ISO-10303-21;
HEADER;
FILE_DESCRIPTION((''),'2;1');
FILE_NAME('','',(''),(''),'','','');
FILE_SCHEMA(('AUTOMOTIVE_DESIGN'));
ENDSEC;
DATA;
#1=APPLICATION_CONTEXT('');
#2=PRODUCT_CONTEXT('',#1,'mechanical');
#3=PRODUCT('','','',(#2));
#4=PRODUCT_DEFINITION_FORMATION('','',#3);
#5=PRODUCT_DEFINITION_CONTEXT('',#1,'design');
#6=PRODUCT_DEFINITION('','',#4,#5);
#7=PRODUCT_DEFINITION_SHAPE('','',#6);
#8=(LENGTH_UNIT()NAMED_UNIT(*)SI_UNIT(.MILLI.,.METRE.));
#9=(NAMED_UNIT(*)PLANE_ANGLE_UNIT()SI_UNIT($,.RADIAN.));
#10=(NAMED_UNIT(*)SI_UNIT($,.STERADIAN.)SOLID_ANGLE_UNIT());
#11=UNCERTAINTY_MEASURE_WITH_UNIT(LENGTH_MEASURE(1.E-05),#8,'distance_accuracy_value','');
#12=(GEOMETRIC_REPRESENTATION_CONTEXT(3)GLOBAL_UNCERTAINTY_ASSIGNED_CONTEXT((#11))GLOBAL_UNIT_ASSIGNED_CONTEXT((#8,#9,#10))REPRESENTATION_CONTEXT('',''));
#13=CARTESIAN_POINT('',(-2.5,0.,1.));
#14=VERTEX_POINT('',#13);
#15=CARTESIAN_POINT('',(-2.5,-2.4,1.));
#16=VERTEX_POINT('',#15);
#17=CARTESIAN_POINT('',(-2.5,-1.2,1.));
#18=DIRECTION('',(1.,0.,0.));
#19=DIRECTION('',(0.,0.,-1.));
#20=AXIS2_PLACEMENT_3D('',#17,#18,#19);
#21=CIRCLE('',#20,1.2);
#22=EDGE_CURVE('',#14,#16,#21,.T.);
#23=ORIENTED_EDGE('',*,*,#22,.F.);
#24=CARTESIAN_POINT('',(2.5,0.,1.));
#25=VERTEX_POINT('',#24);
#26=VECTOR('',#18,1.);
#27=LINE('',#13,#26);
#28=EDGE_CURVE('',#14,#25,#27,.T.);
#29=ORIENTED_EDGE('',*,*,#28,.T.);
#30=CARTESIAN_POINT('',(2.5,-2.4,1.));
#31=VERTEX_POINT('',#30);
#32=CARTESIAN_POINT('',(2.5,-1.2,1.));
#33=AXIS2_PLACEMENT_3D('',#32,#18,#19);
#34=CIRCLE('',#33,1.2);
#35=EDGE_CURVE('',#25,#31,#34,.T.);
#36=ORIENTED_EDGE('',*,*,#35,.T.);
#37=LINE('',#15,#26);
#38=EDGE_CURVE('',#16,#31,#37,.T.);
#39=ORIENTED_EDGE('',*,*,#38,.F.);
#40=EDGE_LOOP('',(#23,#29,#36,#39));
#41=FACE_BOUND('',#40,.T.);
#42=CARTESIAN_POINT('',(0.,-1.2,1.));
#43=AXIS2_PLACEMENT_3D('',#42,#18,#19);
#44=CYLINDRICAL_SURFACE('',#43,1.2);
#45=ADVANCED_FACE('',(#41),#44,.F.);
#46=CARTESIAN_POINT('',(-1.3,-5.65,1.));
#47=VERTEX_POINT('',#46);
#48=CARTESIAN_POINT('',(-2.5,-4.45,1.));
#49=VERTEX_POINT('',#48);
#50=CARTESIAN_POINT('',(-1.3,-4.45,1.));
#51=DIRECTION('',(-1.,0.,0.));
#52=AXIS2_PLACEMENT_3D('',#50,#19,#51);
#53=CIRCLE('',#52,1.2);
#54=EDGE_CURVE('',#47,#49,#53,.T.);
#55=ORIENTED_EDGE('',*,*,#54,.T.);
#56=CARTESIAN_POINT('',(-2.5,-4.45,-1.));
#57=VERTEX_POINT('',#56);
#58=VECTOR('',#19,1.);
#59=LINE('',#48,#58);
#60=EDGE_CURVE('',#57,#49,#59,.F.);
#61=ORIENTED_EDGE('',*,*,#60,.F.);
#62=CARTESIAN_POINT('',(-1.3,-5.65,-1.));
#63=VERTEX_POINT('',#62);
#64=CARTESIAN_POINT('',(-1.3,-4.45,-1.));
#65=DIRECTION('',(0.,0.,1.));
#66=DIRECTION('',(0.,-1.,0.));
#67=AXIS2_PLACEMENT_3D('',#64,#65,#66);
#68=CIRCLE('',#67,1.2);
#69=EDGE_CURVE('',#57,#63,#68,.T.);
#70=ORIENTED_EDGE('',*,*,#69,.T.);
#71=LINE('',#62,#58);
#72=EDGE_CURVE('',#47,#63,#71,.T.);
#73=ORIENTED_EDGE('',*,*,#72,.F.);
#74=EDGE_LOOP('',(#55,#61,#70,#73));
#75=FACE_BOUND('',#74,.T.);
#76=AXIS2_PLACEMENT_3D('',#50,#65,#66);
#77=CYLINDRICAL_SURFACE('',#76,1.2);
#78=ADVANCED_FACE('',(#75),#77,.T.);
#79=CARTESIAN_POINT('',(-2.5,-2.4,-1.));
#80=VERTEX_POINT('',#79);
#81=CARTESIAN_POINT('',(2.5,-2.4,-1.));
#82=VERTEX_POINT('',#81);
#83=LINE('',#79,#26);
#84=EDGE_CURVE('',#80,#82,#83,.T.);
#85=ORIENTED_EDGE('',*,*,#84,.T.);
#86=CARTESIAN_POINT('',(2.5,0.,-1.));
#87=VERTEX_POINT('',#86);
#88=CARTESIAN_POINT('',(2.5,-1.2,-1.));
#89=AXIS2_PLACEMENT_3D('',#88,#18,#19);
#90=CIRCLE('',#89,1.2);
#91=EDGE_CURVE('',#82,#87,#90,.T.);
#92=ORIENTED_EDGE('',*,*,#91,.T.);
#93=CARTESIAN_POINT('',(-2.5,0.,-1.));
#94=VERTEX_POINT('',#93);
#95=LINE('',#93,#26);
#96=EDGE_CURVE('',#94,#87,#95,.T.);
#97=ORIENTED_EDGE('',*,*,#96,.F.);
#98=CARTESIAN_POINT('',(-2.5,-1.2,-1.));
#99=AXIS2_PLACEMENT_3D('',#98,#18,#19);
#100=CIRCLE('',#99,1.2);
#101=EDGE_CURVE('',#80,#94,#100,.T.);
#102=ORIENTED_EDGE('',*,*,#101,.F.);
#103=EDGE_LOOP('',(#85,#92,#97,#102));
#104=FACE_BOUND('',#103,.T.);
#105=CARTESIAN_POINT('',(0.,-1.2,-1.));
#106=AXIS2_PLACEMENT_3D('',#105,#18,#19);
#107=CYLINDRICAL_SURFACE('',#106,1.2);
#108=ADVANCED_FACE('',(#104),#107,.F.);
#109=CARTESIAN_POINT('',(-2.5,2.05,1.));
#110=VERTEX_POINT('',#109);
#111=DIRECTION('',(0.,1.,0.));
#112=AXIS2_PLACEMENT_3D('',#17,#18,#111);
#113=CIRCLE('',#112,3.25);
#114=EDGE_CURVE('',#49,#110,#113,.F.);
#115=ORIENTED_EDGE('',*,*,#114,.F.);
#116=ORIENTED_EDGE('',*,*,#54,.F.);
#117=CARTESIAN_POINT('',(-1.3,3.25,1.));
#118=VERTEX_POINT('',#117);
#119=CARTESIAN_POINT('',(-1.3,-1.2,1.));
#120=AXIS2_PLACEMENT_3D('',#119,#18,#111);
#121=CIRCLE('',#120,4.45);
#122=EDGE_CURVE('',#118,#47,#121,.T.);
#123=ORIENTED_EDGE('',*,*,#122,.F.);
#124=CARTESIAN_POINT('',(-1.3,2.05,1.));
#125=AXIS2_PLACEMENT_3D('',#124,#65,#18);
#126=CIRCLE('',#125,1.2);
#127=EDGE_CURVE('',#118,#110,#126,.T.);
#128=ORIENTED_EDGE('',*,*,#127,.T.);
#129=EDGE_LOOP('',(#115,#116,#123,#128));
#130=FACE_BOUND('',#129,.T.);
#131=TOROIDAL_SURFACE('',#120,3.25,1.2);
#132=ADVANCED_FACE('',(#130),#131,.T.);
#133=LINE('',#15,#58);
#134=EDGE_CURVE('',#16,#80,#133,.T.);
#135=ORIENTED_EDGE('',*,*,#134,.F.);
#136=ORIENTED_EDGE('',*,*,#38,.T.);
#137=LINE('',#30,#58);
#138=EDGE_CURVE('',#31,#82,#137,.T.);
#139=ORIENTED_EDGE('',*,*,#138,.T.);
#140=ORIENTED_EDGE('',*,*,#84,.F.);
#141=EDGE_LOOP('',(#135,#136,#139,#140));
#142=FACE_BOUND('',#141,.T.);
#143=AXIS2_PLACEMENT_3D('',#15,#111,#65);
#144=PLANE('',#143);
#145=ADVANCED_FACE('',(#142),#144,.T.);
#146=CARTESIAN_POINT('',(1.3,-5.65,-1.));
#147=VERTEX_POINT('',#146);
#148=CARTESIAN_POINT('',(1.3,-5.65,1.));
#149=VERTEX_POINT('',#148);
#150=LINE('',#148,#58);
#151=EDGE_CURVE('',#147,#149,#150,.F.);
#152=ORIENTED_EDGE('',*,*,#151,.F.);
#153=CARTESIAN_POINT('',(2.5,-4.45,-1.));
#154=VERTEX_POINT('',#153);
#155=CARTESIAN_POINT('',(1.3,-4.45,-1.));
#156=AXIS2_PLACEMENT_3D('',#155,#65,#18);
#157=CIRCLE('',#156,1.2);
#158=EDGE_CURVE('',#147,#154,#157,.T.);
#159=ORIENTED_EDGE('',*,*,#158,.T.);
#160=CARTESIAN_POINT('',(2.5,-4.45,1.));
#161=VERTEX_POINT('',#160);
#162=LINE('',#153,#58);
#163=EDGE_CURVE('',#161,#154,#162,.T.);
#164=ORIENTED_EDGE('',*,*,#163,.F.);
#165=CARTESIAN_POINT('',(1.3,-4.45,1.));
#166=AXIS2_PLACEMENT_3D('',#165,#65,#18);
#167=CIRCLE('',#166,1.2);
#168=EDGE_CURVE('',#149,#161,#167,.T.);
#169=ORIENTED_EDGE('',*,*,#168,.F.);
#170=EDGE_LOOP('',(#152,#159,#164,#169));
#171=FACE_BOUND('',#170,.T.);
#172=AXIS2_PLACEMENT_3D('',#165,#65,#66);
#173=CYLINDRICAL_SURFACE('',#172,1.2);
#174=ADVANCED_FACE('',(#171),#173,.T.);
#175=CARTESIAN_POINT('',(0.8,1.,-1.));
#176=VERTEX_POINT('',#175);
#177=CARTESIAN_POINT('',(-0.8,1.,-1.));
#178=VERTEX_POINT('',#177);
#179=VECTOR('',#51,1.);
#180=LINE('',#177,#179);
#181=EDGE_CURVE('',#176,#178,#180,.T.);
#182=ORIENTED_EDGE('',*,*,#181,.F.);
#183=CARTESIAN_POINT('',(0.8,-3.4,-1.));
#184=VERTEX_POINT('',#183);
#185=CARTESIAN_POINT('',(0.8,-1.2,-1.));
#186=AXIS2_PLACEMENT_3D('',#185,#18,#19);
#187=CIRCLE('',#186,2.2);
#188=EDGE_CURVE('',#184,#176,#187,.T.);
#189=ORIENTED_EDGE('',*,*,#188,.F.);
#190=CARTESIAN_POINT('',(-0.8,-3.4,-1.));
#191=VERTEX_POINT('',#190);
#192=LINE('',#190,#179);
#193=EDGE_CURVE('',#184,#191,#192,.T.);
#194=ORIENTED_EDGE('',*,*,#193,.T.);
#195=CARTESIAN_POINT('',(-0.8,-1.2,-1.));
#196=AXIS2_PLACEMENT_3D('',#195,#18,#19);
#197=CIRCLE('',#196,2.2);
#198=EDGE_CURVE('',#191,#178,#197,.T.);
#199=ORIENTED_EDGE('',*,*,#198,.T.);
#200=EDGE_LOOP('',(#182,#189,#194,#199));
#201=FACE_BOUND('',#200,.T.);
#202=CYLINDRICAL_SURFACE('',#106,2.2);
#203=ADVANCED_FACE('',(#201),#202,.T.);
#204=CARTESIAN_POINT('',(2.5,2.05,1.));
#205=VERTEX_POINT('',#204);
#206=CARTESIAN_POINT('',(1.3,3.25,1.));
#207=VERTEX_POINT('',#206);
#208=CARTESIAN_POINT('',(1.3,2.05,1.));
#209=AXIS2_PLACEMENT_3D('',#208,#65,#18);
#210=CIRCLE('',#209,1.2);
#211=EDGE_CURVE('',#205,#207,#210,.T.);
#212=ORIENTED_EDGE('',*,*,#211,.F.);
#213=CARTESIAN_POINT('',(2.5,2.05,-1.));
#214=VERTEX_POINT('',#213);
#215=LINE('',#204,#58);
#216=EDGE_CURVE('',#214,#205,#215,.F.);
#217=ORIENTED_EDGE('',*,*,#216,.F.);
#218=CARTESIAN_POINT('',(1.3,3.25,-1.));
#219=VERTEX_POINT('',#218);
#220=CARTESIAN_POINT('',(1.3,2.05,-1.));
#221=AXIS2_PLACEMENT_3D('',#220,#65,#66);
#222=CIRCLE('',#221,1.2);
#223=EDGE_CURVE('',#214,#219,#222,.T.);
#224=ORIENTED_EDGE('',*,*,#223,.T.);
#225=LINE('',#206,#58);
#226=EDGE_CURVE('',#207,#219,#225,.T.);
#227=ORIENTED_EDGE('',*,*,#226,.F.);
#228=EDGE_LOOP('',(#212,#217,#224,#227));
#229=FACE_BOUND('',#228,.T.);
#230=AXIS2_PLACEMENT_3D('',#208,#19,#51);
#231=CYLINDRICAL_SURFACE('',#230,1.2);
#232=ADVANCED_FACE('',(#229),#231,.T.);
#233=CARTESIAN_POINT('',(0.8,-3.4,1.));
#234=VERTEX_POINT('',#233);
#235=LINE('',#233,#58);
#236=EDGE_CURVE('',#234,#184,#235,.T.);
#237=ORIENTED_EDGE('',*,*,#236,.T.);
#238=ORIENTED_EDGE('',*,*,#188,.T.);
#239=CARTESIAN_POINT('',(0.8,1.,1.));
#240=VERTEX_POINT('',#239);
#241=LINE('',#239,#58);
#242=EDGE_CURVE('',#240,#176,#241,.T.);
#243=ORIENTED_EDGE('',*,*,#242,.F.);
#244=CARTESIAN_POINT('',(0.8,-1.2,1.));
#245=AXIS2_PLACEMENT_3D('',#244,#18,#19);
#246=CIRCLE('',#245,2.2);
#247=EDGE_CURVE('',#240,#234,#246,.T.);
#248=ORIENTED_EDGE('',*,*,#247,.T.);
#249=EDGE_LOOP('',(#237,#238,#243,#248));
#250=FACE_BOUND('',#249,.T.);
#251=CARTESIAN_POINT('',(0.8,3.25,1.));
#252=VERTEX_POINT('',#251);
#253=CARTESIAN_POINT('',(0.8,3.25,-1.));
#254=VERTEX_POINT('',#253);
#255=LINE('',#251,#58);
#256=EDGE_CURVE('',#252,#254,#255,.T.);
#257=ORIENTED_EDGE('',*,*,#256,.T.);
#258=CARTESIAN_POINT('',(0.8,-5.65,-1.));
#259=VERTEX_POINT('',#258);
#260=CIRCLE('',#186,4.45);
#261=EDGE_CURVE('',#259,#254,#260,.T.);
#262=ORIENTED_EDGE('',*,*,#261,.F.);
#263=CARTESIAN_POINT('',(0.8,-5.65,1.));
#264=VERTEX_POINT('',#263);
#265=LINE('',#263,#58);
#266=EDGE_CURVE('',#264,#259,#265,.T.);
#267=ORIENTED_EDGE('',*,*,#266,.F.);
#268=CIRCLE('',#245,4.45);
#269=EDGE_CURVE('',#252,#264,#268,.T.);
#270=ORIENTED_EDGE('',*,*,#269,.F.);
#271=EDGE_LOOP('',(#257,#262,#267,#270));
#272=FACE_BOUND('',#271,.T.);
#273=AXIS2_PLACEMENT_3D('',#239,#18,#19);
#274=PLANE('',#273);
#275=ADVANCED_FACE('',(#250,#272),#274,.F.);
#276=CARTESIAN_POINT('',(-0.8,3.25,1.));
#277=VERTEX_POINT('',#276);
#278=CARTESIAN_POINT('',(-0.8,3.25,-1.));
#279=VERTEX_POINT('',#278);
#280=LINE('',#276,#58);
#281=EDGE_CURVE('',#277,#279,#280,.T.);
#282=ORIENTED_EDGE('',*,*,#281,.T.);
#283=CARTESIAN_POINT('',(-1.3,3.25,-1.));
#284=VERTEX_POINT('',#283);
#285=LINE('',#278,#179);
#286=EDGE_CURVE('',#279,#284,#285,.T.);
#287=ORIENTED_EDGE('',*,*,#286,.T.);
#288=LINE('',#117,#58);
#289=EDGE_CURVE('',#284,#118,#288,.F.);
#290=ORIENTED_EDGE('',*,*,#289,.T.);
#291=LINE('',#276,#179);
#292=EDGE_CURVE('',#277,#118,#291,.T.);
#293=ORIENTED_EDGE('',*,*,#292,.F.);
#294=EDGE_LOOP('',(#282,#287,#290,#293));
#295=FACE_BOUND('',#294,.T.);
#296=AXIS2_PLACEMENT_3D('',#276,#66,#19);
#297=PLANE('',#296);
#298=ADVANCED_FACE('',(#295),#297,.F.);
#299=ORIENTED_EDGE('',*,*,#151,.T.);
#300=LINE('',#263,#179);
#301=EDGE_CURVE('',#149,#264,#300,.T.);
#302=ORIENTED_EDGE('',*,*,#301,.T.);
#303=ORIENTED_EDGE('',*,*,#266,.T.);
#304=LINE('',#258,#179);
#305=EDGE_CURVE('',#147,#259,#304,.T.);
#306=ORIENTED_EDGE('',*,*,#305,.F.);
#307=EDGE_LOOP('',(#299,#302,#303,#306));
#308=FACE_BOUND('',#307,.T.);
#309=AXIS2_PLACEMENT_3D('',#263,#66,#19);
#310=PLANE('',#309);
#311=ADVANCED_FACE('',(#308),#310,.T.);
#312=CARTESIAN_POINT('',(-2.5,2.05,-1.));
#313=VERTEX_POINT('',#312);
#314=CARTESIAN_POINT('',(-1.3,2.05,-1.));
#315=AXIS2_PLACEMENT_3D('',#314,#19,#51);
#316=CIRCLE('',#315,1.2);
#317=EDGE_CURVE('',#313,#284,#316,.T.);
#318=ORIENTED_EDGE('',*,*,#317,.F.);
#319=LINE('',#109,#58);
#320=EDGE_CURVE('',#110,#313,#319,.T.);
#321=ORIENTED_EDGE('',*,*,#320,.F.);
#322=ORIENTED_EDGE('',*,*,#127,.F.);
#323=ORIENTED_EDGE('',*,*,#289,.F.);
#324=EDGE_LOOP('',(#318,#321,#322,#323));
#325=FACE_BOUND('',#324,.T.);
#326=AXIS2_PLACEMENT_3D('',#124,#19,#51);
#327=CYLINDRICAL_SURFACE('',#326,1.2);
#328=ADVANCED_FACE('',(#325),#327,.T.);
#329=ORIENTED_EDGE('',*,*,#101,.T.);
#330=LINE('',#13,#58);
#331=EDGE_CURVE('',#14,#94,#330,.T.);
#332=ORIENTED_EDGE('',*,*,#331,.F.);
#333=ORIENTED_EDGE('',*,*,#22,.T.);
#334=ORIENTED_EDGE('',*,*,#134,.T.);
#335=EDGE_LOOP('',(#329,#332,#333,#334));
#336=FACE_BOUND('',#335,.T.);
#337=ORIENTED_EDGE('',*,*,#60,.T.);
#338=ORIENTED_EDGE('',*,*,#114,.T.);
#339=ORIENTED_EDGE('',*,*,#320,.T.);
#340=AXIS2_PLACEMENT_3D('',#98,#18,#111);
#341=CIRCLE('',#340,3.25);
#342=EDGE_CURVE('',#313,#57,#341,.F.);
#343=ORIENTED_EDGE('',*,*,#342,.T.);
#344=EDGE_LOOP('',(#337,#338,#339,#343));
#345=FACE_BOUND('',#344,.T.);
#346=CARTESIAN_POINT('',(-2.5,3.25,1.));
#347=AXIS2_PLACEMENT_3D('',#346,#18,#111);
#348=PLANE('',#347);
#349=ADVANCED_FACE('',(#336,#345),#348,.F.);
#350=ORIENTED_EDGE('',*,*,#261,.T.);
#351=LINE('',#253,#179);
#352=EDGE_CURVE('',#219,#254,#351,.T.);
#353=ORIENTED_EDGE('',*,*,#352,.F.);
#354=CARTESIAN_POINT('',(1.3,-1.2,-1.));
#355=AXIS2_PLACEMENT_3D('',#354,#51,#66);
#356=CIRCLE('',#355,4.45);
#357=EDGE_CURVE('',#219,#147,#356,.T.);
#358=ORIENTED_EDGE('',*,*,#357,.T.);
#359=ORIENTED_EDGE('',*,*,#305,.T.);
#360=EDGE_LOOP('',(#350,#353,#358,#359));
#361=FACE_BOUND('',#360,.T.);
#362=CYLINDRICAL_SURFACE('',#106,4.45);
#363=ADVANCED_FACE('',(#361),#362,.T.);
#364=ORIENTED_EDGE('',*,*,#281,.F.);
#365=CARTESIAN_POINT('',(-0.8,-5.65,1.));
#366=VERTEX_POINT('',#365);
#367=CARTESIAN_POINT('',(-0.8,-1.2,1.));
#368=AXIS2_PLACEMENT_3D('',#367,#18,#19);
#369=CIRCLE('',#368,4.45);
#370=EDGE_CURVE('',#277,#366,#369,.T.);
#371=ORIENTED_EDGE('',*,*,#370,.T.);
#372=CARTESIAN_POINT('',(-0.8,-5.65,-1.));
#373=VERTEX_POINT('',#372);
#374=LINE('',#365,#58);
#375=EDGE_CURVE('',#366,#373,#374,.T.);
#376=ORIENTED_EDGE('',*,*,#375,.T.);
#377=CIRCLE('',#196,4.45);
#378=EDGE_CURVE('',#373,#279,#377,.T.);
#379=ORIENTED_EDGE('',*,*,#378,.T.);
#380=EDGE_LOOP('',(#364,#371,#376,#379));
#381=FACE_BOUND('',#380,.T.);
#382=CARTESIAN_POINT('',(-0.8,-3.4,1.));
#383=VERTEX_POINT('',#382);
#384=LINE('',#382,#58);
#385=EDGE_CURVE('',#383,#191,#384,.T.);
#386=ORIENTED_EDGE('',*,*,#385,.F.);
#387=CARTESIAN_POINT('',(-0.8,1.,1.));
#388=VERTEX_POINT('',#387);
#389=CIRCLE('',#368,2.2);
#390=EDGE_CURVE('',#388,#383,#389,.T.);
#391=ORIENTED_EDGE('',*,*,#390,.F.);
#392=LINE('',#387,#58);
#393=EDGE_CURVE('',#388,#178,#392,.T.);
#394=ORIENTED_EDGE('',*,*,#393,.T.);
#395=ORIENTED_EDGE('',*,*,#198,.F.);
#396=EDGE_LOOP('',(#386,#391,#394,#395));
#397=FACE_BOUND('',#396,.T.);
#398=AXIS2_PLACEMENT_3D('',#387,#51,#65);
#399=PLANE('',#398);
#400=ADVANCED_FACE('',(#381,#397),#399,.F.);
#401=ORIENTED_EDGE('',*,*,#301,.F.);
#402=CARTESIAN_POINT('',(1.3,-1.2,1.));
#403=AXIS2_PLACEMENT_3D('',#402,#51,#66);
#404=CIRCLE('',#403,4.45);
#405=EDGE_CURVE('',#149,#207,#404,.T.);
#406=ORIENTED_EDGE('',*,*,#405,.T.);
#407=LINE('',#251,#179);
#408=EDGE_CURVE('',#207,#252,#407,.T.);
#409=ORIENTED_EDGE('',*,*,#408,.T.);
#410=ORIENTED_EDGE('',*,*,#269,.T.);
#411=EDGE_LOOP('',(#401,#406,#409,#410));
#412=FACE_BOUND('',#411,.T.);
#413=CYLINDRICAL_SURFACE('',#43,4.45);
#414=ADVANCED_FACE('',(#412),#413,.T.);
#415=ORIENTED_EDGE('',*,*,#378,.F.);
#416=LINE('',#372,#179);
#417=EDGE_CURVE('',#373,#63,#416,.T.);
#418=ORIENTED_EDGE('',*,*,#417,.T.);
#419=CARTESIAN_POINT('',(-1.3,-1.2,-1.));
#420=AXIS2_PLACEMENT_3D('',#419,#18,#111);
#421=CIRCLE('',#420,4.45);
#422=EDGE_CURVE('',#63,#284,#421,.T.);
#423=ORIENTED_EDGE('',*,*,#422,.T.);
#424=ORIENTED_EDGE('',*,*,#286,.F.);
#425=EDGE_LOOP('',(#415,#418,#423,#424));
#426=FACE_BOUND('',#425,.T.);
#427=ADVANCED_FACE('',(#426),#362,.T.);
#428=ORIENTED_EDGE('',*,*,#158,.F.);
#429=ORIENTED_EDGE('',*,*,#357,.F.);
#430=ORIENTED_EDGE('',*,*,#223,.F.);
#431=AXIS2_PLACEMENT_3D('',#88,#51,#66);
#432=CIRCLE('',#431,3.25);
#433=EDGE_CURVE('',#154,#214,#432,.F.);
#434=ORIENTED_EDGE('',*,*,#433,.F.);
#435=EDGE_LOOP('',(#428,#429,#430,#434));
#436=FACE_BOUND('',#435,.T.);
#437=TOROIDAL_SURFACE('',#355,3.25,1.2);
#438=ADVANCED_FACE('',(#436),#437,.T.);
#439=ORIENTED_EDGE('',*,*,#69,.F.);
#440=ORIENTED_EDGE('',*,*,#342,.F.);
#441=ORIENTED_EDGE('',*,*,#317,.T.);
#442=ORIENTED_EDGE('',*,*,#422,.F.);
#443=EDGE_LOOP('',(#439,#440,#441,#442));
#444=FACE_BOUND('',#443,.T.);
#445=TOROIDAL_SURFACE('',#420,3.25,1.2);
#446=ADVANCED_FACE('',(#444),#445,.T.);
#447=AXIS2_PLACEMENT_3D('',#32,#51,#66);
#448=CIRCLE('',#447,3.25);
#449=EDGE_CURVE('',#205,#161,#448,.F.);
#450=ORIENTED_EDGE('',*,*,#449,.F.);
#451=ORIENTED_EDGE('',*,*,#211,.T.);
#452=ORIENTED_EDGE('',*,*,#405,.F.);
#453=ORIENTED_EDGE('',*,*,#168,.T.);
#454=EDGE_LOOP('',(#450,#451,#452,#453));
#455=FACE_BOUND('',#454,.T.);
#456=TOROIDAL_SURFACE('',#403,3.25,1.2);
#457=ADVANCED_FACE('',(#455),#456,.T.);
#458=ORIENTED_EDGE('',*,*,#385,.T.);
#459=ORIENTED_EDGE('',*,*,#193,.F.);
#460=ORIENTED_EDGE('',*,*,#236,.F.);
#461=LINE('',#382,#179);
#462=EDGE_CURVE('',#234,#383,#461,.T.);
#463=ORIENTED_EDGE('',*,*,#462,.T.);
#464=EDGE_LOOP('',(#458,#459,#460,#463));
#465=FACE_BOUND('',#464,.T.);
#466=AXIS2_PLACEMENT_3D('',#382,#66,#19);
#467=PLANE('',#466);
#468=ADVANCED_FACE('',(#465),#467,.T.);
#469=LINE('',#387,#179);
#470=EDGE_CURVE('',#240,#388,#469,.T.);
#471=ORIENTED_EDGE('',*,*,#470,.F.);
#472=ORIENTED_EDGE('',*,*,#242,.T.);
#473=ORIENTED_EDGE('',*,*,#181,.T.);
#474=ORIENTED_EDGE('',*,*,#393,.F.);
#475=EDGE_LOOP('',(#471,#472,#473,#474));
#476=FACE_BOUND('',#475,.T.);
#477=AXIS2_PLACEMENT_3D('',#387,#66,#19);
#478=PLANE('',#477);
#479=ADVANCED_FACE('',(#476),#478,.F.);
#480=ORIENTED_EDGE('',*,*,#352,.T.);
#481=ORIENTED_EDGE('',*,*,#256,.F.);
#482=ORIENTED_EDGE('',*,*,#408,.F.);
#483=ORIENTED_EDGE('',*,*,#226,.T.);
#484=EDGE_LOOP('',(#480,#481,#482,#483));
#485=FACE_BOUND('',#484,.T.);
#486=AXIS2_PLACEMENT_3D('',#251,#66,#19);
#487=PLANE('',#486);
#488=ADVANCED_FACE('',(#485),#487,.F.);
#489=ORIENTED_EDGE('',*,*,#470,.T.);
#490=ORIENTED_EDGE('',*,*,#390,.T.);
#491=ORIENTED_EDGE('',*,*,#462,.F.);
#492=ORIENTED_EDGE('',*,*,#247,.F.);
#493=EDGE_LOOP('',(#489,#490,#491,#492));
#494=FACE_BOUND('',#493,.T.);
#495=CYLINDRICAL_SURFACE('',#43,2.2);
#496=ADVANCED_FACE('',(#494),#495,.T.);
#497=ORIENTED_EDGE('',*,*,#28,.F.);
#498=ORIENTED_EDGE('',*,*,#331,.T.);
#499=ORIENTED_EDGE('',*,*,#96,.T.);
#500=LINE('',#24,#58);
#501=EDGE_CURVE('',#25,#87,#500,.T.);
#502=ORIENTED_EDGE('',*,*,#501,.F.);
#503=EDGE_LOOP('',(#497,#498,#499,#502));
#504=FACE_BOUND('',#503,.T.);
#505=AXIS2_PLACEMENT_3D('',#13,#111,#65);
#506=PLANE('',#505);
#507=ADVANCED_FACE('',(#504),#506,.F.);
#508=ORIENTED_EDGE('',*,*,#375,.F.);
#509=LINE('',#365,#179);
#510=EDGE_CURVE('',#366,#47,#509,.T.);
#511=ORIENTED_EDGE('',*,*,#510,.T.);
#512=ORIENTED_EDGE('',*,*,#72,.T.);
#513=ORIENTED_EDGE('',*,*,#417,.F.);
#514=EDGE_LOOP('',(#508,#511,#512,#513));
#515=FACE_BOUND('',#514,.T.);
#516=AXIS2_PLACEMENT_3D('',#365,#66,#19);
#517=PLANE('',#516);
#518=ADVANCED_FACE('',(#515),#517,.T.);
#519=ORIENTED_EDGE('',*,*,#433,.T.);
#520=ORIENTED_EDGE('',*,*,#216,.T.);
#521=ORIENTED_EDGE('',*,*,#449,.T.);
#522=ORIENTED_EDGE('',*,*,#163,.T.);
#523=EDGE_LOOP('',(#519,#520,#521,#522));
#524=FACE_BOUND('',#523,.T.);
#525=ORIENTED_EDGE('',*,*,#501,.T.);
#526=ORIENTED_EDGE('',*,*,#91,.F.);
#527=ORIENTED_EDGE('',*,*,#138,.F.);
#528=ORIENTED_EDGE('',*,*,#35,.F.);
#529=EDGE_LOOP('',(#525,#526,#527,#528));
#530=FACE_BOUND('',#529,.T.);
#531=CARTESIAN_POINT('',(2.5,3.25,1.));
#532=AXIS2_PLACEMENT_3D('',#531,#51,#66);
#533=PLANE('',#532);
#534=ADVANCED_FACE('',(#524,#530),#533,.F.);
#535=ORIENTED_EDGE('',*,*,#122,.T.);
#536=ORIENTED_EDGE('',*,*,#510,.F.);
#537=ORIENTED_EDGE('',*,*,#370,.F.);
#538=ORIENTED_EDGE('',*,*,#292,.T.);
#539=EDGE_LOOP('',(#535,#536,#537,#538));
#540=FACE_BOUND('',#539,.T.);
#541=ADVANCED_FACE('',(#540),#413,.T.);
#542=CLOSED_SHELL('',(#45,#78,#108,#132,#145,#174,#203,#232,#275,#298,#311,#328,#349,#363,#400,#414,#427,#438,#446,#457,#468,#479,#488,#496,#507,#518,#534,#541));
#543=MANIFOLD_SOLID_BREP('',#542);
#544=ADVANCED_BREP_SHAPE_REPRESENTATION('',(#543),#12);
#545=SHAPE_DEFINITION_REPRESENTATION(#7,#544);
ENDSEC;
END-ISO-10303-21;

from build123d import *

# Parameters (mm, degrees)
FILLET_1_R = 1.2


with BuildPart() as part:
    # По траектории2: sweep along a path in Эскиз3
    with BuildLine(Plane(origin=(0, 0, 0), x_dir=(0, 0, -1), z_dir=(1, 0, 0))) as sweep_2_path:
        Line((-1, 0), (1, 0))
        ThreePointArc((1, 0), (2.2, -1.2), (1, -2.4))
        Line((1, -2.4), (-1, -2.4))
        ThreePointArc((-1, -2.4), (-2.2, -1.2), (-1, 0))
    # Эскиз1 → По траектории2 (sweep)
    with BuildSketch(Plane.XY):
        Polygon((-0.8, 1), (0.8, 1), (0.8, 3.25), (2.5, 3.25), (2.5, 0), (-2.5, 0), (-2.5, 3.25), (-0.8, 3.25), align=None)
    sweep(path=sweep_2_path.line)

    # Скругление1
    fillet_1_edges = [part.edges().sort_by_distance(p)[0] for p in [
        (2.5, 3.25, 0),
        (-2.5, 3.25, 0),
        (2.5, -1.2, 5.45),
        (-2.5, -1.2, 5.45),
        (2.5, -5.65, 0),
        (-2.5, -5.65, 0),
        (2.5, -1.2, -5.45),
        (-2.5, -1.2, -5.45),
    ]]
    fillet(fillet_1_edges, radius=FILLET_1_R)


solid = part.part
